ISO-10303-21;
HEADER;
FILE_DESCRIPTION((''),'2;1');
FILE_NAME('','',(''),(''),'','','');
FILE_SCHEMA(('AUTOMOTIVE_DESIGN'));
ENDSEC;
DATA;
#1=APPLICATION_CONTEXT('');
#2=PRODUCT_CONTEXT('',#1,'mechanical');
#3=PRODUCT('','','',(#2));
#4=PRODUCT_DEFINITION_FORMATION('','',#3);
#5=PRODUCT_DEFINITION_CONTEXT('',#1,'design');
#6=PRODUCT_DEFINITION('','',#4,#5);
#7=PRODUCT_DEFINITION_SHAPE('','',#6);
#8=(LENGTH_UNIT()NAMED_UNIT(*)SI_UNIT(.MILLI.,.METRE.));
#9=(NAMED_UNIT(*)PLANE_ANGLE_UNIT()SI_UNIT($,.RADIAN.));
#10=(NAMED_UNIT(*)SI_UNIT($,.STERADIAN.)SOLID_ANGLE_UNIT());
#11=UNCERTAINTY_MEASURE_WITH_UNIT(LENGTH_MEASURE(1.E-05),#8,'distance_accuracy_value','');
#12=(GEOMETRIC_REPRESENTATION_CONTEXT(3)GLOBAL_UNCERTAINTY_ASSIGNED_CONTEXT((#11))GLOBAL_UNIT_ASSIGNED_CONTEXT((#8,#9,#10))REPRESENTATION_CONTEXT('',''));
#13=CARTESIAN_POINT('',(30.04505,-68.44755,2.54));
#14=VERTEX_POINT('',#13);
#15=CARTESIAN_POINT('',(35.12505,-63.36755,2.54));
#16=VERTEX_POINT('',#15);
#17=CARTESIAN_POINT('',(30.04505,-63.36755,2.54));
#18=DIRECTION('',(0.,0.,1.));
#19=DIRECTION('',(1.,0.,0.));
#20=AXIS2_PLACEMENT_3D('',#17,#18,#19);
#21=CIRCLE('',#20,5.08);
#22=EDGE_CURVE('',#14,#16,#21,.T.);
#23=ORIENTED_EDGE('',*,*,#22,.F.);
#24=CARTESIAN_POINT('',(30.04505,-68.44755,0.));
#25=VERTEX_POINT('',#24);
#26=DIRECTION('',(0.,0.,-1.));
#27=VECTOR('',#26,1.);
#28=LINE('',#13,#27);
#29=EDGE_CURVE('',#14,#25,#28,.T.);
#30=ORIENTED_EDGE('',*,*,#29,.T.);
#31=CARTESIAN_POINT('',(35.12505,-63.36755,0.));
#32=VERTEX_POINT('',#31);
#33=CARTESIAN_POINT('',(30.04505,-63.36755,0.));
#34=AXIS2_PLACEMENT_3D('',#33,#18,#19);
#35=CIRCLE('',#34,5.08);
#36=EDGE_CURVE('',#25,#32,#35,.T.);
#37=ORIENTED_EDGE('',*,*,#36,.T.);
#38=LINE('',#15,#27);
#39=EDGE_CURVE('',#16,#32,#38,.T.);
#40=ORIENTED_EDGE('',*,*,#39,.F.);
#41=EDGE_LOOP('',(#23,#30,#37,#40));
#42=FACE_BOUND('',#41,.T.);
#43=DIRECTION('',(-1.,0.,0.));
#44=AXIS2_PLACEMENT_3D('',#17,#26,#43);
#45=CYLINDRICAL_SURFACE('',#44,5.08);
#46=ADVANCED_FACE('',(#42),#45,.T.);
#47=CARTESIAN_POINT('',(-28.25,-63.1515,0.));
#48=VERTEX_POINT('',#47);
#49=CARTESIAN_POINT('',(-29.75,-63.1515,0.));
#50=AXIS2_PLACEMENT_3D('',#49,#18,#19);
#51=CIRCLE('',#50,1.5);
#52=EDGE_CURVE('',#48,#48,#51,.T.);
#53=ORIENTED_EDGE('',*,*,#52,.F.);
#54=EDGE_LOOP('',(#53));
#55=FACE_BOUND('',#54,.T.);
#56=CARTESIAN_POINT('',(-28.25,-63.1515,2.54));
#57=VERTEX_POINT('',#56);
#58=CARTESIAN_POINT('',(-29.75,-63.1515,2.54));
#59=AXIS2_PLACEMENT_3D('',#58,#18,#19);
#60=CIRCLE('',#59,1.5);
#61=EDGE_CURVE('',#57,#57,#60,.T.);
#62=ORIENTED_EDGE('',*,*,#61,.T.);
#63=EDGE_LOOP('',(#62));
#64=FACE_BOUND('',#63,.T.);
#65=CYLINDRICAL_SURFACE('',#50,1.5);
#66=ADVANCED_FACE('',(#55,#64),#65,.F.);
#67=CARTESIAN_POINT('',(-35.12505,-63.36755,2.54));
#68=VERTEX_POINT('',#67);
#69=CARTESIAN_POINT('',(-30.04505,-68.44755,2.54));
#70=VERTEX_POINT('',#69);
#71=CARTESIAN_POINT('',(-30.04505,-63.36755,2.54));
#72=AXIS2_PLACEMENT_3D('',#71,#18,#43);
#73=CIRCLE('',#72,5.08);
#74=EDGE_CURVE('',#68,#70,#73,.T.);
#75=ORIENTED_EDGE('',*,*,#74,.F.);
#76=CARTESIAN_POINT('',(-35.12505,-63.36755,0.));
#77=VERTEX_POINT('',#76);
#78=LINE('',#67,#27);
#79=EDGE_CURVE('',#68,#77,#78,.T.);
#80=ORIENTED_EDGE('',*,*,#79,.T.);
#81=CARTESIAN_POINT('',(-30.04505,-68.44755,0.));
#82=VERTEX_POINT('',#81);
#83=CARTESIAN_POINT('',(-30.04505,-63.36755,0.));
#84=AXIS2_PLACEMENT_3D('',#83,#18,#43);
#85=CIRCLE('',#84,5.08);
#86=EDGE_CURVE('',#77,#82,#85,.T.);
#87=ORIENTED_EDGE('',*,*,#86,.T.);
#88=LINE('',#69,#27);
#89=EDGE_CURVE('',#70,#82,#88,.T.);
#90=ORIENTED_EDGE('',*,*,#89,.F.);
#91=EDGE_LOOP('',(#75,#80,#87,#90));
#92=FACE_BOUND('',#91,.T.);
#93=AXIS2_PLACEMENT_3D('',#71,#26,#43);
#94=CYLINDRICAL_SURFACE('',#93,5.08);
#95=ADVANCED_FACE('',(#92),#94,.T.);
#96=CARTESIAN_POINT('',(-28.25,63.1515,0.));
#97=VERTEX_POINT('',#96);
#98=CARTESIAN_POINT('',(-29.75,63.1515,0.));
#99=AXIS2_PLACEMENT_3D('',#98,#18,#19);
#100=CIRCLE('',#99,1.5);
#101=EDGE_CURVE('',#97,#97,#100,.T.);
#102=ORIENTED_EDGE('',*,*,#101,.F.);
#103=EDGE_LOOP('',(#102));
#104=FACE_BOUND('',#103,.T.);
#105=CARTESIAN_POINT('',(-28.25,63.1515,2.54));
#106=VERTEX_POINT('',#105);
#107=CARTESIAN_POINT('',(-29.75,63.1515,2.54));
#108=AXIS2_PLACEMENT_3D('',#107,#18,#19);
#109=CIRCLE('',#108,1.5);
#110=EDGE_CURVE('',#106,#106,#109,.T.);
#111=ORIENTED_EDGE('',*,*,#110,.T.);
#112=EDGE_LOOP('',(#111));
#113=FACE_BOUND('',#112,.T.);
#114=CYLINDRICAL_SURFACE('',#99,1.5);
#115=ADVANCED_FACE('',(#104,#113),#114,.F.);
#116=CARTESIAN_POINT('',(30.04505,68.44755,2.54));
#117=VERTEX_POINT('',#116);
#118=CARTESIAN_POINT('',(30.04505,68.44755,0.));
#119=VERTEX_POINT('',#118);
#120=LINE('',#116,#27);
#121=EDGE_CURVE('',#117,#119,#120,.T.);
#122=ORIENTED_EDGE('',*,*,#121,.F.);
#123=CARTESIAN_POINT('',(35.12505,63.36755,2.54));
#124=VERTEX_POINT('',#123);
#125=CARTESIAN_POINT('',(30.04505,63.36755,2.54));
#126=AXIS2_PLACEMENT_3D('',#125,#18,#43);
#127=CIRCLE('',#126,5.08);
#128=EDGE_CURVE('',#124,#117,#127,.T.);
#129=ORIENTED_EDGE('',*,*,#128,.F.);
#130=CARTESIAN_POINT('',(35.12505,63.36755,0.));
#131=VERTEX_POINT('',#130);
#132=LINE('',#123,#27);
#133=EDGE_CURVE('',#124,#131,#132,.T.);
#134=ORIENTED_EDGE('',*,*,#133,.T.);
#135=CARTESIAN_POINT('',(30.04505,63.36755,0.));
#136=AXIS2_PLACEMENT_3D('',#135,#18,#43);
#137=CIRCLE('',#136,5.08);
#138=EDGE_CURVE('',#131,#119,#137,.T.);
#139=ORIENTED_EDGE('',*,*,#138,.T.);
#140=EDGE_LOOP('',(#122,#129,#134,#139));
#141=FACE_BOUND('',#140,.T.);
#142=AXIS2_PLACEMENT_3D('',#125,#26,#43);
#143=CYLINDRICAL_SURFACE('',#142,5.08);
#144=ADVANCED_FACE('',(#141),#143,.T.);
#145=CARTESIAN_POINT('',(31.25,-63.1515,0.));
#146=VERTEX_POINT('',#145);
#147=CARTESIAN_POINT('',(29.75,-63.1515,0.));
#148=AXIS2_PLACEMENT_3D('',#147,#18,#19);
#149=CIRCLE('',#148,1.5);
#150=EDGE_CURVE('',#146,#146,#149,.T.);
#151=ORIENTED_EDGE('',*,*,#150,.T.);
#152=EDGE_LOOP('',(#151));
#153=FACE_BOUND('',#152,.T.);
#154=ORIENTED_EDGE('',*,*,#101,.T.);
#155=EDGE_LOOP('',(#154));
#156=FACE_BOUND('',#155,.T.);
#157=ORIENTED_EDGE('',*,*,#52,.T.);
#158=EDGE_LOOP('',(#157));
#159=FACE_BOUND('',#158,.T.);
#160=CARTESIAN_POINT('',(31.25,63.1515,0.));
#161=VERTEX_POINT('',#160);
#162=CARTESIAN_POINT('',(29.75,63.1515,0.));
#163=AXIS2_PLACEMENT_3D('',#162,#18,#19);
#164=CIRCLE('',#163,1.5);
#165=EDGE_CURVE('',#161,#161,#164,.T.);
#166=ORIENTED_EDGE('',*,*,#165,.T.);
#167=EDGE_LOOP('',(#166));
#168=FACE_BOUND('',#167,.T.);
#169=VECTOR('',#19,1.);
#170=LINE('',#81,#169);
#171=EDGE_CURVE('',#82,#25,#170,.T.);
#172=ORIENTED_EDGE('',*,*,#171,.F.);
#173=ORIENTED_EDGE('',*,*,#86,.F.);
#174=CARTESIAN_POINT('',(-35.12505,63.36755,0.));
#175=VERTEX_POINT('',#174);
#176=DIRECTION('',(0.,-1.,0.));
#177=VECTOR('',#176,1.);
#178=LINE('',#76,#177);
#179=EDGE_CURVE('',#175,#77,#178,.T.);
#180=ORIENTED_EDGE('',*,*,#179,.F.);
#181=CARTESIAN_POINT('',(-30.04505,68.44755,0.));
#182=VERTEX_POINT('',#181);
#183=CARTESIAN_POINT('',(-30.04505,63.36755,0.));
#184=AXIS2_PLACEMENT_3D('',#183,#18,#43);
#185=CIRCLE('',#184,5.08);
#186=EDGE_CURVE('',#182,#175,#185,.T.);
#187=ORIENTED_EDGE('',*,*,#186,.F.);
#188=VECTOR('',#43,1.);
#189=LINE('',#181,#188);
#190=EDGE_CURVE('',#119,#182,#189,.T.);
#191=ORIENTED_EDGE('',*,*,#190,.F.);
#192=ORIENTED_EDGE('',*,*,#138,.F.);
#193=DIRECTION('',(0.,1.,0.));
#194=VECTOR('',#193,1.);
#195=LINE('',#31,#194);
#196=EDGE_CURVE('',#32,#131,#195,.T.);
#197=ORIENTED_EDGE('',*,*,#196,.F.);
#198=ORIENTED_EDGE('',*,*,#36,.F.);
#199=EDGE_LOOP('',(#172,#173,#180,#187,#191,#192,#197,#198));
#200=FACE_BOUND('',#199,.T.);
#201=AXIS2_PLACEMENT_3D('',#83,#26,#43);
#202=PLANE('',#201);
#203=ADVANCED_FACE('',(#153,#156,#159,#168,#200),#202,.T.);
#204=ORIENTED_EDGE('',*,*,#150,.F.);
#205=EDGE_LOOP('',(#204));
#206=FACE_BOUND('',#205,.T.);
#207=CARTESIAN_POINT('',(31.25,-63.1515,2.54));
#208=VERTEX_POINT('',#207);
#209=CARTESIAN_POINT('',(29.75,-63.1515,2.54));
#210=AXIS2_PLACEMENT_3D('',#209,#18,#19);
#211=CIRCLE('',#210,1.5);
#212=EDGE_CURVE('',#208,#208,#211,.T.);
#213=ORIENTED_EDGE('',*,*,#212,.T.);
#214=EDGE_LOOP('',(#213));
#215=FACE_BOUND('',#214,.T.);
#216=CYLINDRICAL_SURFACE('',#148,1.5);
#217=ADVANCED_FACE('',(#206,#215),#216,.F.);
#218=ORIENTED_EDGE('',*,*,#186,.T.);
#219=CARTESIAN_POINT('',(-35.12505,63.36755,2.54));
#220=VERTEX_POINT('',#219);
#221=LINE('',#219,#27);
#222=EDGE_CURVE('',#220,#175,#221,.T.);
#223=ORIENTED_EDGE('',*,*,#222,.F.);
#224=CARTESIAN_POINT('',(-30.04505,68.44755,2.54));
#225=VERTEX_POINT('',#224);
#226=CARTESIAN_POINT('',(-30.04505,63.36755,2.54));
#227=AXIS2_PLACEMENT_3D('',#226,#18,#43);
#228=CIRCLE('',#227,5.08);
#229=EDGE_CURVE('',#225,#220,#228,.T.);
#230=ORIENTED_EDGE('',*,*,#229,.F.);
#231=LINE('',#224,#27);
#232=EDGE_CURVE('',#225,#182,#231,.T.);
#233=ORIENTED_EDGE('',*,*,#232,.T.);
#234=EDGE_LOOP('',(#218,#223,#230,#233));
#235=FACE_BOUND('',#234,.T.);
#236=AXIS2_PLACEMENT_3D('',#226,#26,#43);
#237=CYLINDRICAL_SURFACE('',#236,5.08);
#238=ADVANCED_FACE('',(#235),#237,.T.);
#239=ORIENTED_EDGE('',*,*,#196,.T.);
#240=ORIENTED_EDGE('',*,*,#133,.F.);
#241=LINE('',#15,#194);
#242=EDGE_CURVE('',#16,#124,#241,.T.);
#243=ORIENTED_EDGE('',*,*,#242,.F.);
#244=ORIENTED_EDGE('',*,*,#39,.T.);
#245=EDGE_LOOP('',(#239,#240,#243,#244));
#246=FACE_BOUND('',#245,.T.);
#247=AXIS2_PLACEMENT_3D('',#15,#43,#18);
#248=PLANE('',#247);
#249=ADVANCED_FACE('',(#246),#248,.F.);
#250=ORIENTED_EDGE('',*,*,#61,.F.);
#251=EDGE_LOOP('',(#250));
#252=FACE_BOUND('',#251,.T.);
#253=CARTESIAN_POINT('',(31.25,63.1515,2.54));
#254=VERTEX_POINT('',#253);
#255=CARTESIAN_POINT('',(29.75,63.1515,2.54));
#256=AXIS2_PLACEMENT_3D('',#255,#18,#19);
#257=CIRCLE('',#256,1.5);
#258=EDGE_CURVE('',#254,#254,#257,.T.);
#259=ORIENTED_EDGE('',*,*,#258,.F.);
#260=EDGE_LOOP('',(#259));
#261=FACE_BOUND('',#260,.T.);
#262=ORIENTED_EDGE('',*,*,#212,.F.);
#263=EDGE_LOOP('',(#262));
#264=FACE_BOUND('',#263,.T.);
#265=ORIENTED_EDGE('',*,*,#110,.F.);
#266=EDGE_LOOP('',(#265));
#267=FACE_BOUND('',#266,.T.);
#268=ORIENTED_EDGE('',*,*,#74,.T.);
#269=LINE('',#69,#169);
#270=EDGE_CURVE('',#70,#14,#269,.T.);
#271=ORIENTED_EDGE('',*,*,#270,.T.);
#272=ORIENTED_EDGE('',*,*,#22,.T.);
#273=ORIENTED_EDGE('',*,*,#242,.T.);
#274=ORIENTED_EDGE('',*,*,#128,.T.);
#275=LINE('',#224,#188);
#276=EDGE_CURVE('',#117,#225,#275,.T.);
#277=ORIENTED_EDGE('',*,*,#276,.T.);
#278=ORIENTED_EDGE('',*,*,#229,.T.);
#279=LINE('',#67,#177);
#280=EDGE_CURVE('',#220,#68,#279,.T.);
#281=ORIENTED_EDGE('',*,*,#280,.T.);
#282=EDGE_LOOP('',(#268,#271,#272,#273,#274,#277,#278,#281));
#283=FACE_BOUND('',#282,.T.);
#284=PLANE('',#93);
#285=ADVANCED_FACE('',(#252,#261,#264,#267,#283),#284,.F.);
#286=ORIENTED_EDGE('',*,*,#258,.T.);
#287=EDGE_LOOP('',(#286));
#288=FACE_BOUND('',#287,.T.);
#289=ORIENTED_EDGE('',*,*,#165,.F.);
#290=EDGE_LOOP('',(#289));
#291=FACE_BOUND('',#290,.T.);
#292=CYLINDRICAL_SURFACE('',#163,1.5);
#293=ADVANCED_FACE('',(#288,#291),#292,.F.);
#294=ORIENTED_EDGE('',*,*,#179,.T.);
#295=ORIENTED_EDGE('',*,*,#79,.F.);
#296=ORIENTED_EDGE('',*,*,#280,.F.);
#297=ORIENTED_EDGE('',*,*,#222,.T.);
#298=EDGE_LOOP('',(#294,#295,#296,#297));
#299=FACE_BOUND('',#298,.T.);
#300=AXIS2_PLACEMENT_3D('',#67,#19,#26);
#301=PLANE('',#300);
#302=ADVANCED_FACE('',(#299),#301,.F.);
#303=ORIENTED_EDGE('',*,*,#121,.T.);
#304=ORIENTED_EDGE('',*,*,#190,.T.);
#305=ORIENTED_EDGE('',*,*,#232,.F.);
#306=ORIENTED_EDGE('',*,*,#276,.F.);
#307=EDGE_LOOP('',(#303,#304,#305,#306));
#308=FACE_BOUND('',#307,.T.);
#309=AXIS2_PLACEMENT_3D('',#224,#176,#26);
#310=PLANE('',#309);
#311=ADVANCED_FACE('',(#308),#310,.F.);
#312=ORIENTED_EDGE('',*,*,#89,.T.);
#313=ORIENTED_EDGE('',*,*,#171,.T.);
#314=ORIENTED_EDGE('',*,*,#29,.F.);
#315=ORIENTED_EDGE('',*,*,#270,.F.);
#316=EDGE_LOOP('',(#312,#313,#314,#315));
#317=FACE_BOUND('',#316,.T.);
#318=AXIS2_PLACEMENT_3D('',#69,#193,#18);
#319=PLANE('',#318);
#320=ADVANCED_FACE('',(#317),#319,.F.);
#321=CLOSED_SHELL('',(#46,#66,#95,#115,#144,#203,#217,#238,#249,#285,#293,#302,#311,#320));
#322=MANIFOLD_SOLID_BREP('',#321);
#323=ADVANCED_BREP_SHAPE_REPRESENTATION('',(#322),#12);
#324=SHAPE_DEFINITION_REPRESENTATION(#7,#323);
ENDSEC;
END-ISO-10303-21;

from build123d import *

# Parameters (mm, degrees)
BOSS_EXTRUDE1_DEPTH = 2.54
SKETCH2_R           = 1.5
CUT_EXTRUDE1_DEPTH  = 3.54


with BuildPart() as part:
    # Sketch1 → Boss-Extrude1 (new body)
    with BuildSketch(Plane.XY):
        with BuildLine():
            Line((-30.04505, -68.44755), (30.04505, -68.44755))
            ThreePointArc((30.04505, -68.44755), (33.637152448, -66.959652448), (35.12505, -63.36755))
            Line((35.12505, -63.36755), (35.12505, 63.36755))
            ThreePointArc((35.12505, 63.36755), (33.637152448, 66.959652448), (30.04505, 68.44755))
            Line((30.04505, 68.44755), (-30.04505, 68.44755))
            ThreePointArc((-30.04505, 68.44755), (-33.637152448, 66.959652448), (-35.12505, 63.36755))
            Line((-35.12505, 63.36755), (-35.12505, -63.36755))
            ThreePointArc((-35.12505, -63.36755), (-33.637152448, -66.959652448), (-30.04505, -68.44755))
        make_face()
    extrude(amount=BOSS_EXTRUDE1_DEPTH)

    # Sketch2 → Cut-Extrude1 (cut, through all)
    with BuildSketch(Plane.XY.offset(2.54)):
        with Locations((-29.75, 63.1515)):
            Circle(SKETCH2_R)
        with Locations((29.75, 63.1515)):
            Circle(SKETCH2_R)
        with Locations((29.75, -63.1515)):
            Circle(SKETCH2_R)
        with Locations((-29.75, -63.1515)):
            Circle(SKETCH2_R)
    extrude(amount=-CUT_EXTRUDE1_DEPTH, mode=Mode.SUBTRACT)


solid = part.part
